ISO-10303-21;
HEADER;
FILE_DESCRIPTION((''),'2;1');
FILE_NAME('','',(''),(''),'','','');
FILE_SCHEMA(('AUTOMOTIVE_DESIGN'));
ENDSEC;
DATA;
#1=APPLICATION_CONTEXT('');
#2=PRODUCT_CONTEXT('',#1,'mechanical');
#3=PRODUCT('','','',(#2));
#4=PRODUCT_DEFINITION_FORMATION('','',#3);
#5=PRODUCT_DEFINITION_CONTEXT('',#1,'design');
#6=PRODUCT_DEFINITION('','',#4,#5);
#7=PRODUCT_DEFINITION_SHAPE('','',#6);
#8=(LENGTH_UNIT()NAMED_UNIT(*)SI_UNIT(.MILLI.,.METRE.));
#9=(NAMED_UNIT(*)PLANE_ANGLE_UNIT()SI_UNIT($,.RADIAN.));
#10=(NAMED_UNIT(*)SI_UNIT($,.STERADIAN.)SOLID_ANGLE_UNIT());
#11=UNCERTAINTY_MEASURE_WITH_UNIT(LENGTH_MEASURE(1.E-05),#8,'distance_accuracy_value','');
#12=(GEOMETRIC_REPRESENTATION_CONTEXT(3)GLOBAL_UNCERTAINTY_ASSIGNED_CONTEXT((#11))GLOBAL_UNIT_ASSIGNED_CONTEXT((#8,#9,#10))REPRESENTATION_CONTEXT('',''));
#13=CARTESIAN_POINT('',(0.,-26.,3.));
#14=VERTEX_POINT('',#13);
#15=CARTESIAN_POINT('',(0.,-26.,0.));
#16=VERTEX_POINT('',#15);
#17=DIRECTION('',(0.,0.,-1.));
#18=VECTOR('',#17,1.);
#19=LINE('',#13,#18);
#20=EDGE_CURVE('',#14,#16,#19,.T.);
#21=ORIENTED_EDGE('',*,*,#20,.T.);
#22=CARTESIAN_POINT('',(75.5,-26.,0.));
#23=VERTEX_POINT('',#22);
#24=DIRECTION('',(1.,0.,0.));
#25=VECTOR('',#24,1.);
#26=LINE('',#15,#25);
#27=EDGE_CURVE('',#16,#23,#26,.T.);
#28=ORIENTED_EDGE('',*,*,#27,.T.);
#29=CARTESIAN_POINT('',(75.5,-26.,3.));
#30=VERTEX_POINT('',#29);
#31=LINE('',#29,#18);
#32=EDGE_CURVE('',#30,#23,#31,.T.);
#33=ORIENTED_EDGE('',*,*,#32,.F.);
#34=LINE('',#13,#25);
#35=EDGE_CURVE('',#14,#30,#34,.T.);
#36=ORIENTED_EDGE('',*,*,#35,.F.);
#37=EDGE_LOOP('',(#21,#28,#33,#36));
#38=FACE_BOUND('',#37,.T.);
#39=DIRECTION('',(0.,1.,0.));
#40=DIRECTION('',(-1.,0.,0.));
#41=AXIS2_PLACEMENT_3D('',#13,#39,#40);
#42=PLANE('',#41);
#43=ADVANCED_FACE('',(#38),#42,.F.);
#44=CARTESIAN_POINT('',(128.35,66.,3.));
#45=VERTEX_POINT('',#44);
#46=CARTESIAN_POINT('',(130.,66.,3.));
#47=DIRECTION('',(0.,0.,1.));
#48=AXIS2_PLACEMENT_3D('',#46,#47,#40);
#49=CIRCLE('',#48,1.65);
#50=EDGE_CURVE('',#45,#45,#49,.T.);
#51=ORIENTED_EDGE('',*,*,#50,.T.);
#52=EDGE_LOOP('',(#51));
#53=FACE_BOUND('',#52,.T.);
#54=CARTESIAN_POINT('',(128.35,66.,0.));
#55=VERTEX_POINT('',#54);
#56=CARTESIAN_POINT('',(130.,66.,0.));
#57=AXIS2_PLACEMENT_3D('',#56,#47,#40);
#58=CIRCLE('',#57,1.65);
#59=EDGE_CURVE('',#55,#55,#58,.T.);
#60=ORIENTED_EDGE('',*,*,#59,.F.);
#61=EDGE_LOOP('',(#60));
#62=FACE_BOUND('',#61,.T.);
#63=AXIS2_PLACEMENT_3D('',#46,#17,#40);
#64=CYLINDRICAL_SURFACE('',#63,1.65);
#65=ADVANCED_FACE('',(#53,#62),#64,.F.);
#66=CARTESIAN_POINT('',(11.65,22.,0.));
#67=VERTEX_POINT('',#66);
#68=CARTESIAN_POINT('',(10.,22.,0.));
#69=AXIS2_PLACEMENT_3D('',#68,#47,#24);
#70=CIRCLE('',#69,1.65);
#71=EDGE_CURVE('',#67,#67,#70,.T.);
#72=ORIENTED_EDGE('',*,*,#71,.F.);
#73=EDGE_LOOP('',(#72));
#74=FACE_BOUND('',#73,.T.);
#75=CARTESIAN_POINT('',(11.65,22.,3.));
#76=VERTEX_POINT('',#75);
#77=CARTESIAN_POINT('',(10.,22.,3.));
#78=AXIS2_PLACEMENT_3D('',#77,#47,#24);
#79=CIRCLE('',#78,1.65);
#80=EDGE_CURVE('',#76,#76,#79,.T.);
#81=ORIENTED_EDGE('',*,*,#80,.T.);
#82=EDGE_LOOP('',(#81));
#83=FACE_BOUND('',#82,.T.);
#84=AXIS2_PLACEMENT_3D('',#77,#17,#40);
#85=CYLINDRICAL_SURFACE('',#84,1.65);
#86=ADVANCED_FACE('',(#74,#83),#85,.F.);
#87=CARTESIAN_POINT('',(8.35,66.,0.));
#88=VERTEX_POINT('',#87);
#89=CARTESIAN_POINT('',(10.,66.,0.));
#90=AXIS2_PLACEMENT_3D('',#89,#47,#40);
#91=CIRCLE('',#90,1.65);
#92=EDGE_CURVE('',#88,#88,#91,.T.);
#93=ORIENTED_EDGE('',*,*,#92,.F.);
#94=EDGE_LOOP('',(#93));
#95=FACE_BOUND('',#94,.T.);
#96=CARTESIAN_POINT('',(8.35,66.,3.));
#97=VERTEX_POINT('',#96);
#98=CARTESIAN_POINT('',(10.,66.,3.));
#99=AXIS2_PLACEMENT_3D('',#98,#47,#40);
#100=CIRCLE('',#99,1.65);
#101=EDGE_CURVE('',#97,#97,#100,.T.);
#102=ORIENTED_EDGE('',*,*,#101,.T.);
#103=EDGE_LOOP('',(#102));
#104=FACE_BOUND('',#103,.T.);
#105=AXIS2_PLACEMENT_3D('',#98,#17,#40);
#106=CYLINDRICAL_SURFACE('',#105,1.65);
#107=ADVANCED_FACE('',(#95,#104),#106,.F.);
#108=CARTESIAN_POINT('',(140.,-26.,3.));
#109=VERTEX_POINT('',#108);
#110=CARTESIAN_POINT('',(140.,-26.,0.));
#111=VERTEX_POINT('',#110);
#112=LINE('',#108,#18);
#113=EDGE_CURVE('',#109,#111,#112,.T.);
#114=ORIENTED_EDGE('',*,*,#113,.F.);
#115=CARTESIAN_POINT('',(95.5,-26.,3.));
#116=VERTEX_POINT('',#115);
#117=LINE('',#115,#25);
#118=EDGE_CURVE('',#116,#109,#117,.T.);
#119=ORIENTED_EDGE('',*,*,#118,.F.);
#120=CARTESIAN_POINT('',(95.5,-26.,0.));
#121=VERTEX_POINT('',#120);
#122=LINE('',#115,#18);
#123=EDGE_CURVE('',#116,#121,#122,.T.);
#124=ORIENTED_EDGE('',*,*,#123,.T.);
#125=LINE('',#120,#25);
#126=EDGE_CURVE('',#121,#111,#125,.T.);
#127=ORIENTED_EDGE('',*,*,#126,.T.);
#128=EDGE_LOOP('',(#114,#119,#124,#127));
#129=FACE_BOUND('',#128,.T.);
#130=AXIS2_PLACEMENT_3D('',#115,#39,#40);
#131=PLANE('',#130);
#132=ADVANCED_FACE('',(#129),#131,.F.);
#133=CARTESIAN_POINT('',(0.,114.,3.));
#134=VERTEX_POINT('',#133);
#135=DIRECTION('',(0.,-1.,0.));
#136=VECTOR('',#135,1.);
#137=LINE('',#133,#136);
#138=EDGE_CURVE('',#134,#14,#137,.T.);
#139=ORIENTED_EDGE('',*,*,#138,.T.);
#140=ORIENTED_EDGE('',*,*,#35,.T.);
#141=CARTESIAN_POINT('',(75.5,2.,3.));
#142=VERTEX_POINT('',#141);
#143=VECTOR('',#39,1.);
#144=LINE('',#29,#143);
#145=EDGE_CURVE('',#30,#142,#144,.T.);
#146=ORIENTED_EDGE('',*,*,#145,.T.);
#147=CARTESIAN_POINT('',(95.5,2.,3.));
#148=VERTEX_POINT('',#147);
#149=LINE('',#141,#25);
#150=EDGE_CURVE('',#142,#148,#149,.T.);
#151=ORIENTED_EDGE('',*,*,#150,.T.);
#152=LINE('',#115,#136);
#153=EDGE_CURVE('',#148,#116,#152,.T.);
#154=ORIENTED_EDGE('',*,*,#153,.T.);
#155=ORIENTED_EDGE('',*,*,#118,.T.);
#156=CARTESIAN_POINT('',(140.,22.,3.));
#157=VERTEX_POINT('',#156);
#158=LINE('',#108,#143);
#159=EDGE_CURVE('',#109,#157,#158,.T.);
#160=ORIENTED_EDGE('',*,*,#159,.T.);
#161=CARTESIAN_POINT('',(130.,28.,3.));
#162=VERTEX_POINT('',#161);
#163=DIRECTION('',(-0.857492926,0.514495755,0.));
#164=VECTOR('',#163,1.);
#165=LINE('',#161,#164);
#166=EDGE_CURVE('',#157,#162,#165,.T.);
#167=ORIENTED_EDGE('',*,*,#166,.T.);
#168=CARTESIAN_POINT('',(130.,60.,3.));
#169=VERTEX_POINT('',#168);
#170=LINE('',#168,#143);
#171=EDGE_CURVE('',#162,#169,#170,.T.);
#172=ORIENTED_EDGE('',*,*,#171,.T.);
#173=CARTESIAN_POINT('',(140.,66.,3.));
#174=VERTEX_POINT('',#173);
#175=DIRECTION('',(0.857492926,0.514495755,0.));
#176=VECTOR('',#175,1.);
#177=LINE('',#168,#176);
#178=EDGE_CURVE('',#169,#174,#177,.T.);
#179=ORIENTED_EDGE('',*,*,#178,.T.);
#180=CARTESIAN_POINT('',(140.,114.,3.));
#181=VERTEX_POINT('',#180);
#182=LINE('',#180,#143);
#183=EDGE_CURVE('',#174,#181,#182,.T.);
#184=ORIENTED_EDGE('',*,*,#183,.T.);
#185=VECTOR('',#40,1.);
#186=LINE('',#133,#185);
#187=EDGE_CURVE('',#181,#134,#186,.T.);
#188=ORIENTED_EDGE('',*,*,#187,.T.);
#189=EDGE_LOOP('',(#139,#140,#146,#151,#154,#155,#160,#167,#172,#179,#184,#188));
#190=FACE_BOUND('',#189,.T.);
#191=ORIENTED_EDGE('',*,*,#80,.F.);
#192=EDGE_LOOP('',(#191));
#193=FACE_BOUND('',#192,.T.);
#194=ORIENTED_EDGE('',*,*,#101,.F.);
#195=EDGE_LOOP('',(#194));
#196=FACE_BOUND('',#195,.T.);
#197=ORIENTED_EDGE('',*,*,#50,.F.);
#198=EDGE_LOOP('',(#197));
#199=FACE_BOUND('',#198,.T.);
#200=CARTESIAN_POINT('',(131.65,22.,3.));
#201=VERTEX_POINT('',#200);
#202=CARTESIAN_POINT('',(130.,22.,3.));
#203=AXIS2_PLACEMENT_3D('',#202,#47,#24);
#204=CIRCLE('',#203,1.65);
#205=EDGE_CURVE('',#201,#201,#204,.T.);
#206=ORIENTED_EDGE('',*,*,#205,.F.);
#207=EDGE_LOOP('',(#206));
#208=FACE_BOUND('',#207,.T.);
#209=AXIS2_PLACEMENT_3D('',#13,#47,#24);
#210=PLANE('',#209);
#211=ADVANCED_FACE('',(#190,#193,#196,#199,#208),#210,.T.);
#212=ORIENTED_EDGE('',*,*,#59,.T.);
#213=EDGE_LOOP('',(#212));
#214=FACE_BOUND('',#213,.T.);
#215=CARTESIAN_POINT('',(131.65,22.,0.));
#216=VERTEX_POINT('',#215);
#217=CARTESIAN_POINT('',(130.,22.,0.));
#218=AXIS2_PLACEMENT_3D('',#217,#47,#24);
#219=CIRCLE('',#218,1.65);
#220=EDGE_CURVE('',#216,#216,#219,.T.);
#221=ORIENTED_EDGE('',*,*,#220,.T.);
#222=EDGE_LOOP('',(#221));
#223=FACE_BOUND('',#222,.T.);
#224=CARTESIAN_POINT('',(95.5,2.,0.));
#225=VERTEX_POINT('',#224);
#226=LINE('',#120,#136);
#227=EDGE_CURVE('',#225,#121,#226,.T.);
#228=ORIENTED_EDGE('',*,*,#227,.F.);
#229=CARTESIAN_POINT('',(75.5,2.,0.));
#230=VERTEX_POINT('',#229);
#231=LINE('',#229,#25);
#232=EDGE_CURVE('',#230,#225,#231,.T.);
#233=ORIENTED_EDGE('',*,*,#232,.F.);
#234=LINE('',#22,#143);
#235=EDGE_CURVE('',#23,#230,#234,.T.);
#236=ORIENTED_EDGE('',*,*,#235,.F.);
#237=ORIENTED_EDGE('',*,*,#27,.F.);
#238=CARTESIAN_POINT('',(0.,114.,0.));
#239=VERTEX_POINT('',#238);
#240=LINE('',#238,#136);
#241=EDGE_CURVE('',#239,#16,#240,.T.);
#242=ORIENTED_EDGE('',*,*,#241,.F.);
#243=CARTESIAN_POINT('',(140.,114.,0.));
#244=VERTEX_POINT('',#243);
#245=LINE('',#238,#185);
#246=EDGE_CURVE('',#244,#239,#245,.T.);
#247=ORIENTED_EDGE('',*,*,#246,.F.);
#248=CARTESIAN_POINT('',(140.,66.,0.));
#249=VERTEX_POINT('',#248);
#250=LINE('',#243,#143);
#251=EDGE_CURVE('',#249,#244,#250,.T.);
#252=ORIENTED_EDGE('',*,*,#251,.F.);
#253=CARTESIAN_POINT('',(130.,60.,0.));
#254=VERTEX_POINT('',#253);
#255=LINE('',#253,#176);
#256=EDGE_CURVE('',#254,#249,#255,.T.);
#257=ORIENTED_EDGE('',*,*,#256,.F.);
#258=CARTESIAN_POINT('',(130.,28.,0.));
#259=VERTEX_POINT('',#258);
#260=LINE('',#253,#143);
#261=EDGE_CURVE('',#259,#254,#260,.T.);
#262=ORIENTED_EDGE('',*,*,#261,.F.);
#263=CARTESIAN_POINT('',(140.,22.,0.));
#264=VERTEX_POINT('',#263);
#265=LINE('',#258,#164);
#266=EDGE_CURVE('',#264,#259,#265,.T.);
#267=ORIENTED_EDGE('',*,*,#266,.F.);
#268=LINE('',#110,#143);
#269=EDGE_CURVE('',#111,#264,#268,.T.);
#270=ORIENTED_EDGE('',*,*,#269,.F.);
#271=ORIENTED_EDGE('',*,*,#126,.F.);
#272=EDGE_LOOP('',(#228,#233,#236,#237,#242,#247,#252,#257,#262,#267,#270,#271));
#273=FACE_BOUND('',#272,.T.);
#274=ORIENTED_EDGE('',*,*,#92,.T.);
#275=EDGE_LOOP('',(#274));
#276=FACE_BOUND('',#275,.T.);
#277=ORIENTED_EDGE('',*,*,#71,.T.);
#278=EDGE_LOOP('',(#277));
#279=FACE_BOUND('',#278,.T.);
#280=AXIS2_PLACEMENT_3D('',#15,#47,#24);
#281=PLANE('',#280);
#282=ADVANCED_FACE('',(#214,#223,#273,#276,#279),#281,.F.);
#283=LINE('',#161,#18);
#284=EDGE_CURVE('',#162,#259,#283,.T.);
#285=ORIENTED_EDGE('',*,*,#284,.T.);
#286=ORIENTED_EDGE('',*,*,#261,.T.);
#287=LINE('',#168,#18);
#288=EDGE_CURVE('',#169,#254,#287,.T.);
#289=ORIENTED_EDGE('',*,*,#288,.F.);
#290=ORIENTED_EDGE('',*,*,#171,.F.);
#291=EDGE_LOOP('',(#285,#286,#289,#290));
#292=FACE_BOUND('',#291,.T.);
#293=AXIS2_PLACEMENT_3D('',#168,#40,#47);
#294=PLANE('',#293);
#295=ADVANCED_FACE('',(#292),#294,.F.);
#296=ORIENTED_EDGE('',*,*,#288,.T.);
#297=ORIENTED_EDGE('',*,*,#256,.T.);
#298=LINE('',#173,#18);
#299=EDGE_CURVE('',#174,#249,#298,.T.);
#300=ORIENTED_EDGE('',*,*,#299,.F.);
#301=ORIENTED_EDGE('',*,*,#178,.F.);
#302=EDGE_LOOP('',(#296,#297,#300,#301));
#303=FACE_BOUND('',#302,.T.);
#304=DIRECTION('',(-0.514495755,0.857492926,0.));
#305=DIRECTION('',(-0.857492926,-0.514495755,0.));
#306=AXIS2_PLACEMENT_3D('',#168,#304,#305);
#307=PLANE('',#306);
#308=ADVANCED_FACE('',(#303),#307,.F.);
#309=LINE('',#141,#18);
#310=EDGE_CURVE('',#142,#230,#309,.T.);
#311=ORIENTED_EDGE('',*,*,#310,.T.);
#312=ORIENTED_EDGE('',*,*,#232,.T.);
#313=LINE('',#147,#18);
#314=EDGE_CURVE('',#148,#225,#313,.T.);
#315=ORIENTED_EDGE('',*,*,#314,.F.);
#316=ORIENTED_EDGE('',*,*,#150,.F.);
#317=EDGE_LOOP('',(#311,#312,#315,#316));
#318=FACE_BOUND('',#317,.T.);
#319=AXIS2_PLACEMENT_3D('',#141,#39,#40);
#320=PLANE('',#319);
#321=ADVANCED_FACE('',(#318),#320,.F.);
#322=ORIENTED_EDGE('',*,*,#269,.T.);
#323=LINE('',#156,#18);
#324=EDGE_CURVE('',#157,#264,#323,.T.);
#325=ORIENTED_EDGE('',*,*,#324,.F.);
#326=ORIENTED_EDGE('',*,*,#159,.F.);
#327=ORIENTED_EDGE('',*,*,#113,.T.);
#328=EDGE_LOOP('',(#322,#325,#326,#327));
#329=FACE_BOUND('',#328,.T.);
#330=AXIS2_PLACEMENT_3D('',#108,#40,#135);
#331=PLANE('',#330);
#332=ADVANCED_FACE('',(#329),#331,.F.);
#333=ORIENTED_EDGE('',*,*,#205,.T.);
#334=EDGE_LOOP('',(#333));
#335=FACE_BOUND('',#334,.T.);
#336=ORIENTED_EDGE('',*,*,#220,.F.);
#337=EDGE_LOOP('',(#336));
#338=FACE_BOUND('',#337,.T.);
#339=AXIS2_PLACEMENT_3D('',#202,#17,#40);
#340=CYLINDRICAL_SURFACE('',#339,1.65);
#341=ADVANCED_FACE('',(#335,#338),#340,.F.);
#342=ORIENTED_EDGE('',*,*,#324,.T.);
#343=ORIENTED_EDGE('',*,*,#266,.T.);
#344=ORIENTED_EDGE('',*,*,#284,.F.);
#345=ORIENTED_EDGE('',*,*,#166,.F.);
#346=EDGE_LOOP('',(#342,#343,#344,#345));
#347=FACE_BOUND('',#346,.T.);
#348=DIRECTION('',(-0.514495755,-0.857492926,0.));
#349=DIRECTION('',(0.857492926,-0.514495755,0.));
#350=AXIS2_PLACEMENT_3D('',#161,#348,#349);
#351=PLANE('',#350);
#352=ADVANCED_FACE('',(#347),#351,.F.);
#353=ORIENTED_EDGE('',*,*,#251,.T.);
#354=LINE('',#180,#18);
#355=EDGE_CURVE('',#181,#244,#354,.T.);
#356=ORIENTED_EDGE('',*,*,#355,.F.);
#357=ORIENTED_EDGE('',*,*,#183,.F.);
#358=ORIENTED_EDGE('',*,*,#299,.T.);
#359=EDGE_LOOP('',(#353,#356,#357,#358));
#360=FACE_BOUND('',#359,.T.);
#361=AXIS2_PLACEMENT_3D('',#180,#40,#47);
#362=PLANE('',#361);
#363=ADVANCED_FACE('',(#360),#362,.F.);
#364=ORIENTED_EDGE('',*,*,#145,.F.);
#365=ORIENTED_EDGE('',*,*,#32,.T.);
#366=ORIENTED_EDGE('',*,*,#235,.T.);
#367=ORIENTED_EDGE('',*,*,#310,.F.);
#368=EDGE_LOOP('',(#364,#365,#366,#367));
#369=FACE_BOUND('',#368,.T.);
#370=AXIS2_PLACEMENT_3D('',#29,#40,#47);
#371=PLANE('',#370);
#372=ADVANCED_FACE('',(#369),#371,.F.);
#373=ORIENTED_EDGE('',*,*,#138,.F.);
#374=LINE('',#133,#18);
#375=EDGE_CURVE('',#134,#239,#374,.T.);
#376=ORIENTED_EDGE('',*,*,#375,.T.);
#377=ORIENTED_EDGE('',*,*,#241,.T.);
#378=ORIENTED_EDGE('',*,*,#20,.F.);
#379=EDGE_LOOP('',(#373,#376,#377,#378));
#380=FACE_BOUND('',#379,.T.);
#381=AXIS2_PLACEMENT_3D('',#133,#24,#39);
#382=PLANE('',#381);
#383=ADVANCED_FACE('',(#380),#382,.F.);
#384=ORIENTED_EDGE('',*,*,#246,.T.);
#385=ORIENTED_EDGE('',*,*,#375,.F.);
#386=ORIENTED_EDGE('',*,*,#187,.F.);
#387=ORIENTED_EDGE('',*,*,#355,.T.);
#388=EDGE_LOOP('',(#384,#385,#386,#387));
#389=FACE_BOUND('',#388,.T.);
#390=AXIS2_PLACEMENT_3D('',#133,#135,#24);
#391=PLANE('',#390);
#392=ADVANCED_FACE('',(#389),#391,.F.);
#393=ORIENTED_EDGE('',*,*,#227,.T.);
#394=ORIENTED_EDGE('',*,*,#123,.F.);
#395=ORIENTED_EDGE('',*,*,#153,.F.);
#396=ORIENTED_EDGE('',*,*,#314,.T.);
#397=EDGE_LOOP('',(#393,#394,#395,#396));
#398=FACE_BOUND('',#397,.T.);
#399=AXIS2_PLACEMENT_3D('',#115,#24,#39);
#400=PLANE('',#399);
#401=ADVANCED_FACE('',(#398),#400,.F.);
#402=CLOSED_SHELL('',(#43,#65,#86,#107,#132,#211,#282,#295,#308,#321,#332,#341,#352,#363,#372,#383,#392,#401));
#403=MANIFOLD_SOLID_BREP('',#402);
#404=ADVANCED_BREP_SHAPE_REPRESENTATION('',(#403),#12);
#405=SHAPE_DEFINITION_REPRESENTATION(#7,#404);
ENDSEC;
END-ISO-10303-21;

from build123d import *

# Parameters (mm, degrees)
SKETCH1_R           = 1.65
BOSS_EXTRUDE1_DEPTH = 3


with BuildPart() as part:
    # Sketch1 → Boss-Extrude1 (new body)
    with BuildSketch(Plane.XY):
        Polygon((0, -26), (75.5, -26), (75.5, 2), (95.5, 2), (95.5, -26), (140, -26), (140, 22), (130, 28), (130, 60), (140, 66), (140, 114), (0, 114), align=None)
        with Locations((10, 22)):
            Circle(SKETCH1_R, mode=Mode.SUBTRACT)
        with Locations(Location((130, 66, 0), (0, 0, 180))):
            Circle(SKETCH1_R, mode=Mode.SUBTRACT)
        with Locations((130, 22)):
            Circle(SKETCH1_R, mode=Mode.SUBTRACT)
        with Locations(Location((10, 66, 0), (0, 0, 180))):
            Circle(SKETCH1_R, mode=Mode.SUBTRACT)
    extrude(amount=BOSS_EXTRUDE1_DEPTH)


solid = part.part
